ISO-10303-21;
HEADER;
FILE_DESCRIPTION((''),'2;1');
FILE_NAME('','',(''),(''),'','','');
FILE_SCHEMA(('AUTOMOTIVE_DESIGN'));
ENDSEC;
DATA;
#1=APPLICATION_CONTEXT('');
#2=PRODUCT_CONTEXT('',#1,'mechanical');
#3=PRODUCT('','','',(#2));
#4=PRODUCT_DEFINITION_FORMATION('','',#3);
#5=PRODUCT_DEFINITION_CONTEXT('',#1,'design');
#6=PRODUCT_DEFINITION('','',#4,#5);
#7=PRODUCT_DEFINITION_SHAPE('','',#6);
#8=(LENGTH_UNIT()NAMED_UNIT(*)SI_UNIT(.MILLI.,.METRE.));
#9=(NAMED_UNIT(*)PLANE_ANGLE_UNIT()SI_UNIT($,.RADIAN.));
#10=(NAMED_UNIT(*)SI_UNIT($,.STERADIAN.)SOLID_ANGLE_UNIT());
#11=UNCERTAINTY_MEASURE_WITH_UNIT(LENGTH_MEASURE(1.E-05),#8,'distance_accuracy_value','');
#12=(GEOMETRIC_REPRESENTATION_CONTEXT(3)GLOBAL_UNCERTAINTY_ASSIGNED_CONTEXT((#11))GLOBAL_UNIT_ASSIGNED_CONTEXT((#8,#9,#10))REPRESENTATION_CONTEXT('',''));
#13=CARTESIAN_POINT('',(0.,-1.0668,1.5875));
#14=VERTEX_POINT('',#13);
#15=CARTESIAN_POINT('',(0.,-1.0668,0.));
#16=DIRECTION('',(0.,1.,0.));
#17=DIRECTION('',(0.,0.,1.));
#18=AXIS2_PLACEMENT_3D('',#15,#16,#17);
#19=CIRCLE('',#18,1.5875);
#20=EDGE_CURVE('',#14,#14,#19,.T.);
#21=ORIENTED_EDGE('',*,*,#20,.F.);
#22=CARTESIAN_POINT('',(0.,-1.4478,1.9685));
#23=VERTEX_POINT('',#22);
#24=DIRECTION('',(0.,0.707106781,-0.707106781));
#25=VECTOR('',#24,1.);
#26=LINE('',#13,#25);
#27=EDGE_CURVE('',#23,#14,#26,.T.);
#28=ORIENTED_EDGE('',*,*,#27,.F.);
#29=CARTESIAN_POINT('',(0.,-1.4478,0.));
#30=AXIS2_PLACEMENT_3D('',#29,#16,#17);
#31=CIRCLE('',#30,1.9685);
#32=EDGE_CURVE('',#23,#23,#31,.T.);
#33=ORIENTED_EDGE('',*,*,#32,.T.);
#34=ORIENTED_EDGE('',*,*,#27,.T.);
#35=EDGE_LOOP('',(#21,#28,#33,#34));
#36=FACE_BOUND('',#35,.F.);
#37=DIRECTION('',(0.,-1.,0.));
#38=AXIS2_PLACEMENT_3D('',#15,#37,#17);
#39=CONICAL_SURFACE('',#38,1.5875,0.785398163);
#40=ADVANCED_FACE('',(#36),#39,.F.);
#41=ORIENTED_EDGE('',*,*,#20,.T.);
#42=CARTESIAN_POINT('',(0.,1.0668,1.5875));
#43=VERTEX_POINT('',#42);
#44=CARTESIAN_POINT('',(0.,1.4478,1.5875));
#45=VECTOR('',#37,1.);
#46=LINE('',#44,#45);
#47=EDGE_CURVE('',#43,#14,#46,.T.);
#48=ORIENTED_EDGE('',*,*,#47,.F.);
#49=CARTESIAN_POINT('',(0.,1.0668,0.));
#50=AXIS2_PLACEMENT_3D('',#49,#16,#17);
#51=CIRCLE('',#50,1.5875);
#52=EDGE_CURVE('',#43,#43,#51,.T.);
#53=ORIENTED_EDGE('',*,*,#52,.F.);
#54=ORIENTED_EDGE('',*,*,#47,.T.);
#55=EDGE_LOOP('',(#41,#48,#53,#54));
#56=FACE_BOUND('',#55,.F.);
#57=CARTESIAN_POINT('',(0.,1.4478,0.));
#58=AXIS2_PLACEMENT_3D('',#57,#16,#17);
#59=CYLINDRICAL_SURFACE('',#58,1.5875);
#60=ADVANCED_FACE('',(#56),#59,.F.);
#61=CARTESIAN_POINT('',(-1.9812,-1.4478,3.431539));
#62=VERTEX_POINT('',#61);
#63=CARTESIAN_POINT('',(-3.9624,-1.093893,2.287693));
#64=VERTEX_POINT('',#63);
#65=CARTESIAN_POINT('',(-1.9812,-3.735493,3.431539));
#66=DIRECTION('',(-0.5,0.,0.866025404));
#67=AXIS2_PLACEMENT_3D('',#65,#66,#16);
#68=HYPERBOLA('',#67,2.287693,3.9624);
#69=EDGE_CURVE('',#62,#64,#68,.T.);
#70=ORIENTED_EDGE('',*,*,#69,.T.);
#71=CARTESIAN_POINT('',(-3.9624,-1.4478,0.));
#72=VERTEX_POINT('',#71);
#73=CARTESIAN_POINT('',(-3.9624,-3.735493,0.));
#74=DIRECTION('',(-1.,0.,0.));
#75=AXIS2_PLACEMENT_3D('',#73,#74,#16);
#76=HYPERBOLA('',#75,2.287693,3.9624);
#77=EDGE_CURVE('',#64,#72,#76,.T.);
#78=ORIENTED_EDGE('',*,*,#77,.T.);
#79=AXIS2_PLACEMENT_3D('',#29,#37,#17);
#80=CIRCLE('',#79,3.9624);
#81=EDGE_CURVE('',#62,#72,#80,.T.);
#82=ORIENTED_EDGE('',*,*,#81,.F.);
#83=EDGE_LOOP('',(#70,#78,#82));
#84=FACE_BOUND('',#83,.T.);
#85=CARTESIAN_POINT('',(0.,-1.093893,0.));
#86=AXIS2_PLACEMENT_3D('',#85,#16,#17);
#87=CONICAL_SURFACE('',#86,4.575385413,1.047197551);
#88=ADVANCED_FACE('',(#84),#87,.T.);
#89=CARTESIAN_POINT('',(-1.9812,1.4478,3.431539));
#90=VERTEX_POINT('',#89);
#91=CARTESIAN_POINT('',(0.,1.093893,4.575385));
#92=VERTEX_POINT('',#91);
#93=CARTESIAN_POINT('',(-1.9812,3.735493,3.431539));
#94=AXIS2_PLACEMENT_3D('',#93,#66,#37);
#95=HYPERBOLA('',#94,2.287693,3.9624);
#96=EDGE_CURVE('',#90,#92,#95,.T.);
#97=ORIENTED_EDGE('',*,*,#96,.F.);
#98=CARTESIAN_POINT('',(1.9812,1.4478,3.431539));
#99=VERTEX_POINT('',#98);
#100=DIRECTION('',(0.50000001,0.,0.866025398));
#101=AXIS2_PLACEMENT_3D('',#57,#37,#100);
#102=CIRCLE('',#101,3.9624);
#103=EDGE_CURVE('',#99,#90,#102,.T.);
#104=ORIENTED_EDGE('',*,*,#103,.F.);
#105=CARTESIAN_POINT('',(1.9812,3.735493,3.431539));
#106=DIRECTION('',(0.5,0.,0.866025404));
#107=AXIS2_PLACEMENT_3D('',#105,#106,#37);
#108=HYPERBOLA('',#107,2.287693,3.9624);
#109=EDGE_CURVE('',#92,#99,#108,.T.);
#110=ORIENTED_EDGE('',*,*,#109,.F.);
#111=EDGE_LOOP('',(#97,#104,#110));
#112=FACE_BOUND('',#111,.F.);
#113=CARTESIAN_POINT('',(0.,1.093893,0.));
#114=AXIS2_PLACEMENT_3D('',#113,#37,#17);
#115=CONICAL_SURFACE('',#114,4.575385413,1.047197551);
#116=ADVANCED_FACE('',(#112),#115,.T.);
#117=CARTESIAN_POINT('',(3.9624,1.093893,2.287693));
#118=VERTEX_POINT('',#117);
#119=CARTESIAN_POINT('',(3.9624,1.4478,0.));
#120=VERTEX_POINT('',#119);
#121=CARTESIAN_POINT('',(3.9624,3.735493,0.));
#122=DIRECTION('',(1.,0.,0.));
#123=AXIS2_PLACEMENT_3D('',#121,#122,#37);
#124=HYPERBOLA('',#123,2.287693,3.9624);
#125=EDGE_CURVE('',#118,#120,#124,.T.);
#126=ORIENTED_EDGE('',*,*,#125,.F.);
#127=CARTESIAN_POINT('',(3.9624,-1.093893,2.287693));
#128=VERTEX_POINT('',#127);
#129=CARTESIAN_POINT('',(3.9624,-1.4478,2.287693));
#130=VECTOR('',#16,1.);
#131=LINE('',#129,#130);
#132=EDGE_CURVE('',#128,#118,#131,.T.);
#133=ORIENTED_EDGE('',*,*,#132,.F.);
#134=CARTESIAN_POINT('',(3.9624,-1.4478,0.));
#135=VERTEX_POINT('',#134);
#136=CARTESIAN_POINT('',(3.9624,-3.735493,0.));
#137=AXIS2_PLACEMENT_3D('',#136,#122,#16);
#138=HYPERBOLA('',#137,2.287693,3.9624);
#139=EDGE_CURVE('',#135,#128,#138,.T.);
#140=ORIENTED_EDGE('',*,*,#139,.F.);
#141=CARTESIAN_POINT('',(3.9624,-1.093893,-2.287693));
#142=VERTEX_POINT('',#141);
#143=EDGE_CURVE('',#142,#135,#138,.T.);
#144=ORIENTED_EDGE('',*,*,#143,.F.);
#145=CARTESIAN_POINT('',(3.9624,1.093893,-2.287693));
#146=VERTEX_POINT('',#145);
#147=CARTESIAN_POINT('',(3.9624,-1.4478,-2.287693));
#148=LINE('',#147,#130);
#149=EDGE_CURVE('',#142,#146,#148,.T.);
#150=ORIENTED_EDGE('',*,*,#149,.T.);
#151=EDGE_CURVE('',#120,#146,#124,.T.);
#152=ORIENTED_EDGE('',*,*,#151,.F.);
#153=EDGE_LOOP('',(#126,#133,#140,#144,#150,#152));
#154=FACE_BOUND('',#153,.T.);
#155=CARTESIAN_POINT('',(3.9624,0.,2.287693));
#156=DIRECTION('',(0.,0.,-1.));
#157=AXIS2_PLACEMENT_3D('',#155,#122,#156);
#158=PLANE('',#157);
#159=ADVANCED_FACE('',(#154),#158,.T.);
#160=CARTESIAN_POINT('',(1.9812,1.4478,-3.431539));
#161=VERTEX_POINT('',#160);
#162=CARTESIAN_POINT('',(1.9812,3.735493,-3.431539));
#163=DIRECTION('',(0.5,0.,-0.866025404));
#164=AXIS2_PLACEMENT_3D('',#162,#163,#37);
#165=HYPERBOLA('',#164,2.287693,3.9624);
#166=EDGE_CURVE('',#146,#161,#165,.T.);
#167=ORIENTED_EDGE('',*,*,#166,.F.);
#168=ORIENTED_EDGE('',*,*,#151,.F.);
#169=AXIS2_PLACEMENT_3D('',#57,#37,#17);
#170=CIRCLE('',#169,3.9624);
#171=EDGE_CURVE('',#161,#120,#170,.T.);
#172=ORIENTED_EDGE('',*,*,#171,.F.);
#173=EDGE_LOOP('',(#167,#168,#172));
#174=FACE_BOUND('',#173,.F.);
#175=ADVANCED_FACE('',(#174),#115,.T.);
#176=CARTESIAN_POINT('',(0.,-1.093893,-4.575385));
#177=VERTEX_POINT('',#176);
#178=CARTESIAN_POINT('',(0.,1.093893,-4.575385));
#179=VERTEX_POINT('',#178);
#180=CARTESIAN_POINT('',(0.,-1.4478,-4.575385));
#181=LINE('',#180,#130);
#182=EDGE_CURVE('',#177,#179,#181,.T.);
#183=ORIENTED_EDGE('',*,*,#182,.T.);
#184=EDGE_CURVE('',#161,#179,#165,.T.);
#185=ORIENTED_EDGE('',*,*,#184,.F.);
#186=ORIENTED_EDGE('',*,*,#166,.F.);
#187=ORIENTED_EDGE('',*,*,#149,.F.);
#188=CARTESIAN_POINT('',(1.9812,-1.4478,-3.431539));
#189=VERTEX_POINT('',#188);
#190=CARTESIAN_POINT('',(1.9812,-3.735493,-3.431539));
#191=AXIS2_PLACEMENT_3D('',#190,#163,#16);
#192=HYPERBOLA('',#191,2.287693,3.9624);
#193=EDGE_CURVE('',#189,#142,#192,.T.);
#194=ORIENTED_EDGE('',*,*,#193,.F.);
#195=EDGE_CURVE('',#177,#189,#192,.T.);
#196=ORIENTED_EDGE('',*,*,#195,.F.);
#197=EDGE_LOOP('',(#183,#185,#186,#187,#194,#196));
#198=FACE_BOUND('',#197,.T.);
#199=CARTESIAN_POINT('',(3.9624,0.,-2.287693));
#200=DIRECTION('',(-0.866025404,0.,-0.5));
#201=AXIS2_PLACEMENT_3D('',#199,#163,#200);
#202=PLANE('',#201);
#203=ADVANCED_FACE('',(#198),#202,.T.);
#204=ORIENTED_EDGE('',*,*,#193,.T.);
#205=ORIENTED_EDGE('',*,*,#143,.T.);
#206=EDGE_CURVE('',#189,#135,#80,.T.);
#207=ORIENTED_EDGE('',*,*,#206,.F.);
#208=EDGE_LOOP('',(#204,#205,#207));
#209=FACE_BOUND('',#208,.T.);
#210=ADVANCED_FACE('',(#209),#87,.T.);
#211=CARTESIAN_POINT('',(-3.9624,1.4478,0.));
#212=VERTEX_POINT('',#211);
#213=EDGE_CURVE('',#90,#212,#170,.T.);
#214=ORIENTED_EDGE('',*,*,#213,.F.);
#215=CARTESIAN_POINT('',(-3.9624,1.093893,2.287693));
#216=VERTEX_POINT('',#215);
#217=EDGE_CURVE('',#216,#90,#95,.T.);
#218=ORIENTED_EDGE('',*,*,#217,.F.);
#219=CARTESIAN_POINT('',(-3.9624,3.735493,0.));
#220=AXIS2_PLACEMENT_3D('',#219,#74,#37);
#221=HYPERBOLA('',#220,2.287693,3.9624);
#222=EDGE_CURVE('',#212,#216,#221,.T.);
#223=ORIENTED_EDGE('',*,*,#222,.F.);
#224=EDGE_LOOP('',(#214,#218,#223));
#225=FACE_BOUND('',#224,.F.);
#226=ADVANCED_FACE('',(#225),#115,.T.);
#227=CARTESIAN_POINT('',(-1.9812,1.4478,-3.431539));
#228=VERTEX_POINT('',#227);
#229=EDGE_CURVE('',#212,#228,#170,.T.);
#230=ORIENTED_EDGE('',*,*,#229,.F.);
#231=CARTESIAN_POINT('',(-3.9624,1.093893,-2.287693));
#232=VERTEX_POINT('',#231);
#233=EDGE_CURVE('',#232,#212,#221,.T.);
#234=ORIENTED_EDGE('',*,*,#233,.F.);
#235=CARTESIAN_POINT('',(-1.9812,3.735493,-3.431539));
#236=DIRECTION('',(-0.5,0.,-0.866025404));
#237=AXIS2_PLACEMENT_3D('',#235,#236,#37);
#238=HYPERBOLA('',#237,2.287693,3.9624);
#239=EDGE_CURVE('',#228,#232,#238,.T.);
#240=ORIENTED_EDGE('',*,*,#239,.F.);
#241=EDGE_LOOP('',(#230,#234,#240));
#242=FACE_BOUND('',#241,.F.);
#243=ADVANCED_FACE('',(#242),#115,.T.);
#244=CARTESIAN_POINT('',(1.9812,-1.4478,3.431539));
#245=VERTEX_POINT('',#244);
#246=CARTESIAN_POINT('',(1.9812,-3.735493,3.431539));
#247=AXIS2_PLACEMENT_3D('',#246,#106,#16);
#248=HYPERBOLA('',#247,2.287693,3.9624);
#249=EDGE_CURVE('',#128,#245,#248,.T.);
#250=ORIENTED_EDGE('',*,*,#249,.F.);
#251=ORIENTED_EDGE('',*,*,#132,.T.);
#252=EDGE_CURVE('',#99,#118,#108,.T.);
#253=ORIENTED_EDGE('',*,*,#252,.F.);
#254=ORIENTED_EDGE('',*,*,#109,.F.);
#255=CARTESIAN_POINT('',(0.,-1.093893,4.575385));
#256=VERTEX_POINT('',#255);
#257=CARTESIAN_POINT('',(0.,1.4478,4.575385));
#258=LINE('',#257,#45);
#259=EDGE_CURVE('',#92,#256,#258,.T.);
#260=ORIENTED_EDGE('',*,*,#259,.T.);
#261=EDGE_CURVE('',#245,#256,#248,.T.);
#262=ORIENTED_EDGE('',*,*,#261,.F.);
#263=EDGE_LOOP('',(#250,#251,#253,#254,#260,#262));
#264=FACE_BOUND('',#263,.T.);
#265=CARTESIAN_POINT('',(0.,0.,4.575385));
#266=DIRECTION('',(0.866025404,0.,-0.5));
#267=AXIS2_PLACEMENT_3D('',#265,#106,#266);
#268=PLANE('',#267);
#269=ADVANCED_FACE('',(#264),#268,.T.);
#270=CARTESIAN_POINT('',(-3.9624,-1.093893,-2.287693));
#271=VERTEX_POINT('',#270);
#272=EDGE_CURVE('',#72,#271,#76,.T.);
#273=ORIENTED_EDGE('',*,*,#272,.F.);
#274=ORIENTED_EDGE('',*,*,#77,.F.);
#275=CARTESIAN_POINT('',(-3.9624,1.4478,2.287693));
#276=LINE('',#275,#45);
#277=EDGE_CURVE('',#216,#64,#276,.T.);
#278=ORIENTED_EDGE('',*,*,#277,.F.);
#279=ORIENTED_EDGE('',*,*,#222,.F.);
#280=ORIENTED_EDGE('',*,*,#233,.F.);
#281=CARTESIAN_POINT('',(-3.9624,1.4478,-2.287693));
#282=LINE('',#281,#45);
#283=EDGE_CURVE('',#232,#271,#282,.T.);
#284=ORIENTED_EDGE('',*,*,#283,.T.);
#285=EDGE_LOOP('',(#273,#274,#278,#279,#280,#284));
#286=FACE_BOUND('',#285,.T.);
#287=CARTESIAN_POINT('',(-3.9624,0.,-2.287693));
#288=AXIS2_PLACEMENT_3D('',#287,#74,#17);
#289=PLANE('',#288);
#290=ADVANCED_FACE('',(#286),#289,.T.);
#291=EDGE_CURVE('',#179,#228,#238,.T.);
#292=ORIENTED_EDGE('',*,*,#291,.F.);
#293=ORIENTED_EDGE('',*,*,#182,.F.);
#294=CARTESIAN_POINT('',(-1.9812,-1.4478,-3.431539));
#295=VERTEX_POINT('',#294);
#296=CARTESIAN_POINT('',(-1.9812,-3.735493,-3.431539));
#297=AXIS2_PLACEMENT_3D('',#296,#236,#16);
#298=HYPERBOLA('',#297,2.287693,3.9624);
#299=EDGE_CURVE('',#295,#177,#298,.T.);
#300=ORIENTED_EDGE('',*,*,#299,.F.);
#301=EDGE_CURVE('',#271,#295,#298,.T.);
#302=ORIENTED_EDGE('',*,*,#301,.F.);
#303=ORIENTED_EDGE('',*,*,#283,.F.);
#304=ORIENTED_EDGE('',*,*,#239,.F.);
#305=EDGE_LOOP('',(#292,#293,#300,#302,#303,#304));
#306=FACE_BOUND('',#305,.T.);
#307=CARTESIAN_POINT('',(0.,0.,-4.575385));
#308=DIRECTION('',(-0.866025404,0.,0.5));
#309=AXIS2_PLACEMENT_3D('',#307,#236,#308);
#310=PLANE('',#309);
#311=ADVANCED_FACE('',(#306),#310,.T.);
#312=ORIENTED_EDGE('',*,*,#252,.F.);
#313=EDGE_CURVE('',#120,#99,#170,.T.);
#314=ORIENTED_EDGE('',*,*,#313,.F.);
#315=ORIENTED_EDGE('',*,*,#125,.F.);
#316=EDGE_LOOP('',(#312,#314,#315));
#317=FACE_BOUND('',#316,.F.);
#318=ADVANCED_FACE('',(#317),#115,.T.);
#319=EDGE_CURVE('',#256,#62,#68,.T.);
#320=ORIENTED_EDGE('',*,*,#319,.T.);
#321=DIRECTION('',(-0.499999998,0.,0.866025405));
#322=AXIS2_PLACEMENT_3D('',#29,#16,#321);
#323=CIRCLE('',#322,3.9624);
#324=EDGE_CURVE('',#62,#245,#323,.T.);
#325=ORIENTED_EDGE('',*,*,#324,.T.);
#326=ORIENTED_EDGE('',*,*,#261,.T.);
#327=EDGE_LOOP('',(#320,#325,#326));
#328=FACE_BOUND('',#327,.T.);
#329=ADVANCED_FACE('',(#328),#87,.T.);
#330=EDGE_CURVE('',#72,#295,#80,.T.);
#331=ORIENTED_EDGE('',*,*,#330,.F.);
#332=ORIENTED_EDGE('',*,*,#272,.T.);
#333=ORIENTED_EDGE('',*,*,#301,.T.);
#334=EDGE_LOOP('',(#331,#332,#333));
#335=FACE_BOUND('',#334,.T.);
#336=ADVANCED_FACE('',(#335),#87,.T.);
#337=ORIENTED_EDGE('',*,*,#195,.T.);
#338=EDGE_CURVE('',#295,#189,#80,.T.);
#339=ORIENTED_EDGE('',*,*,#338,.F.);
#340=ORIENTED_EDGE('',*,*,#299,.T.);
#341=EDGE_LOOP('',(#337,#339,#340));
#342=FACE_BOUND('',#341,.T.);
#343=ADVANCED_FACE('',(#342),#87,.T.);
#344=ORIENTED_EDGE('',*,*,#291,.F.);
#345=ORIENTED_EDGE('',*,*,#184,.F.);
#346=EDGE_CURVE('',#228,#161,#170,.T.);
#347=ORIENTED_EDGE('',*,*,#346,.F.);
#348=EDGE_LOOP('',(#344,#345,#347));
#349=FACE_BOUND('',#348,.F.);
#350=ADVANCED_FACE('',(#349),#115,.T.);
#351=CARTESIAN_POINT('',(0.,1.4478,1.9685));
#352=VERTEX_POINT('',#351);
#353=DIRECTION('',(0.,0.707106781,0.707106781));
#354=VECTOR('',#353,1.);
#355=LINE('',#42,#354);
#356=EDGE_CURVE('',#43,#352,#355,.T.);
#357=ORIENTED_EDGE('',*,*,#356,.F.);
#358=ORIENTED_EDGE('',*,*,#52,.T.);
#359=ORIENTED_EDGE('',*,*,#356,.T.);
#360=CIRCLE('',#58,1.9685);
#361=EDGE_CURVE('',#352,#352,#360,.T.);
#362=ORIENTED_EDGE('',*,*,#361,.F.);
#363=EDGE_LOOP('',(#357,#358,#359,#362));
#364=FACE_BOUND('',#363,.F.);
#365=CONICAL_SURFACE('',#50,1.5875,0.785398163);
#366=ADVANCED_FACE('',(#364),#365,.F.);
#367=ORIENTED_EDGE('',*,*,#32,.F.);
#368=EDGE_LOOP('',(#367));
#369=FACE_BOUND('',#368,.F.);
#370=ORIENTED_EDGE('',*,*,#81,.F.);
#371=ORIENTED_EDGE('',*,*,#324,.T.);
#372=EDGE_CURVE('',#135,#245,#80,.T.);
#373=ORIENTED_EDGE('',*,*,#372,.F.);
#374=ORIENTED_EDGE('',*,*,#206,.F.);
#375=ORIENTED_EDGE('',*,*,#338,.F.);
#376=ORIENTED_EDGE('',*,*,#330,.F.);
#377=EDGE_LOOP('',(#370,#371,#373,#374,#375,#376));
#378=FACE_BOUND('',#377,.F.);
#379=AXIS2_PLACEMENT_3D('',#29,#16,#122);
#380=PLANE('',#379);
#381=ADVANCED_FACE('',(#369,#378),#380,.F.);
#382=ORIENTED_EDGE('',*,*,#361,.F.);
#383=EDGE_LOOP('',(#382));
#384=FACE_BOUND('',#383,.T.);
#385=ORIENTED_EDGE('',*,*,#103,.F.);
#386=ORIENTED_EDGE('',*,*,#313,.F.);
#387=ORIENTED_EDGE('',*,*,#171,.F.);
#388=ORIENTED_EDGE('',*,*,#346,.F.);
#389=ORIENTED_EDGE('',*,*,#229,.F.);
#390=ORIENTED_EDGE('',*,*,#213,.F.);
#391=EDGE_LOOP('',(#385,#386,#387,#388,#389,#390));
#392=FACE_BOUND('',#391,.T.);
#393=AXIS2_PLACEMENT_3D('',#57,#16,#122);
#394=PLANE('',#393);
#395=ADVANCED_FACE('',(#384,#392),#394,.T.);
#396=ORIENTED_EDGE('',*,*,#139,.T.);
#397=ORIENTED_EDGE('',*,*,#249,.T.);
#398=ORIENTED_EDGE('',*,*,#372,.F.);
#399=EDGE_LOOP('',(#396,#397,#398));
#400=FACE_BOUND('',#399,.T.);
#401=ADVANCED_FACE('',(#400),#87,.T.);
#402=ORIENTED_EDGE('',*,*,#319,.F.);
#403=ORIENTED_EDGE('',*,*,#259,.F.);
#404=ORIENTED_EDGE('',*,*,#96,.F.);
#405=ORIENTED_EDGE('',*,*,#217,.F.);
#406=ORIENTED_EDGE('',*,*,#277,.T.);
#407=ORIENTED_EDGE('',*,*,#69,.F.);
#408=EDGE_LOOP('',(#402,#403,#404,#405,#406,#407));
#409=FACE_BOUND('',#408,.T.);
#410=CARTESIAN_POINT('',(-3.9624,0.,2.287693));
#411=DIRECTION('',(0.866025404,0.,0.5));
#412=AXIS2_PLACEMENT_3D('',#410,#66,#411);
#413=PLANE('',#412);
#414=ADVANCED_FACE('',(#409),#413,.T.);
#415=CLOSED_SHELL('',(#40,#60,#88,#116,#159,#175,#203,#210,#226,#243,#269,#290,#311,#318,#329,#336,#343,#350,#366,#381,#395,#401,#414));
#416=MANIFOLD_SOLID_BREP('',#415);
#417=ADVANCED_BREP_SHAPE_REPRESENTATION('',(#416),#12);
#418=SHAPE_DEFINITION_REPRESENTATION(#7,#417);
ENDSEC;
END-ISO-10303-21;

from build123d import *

# Parameters (mm, degrees)
BOSS_EXTRUDE1_DEPTH = 1.4478
SKETCH2_R           = 1.5875
CUT_EXTRUDE1_DEPTH  = 7.709639692
CHAMFER2_SIZE       = 0.381


with BuildPart() as part:
    # Sketch1 → Boss-Extrude1 (new, symmetric)
    with BuildSketch(Plane(origin=(0, 0, 0), x_dir=(1, 0, 0), z_dir=(0, 1, 0))):
        Polygon((0, -4.575385413), (3.9624, -2.287692707), (3.9624, 2.287692707), (0, 4.575385413), (-3.9624, 2.287692707), (-3.9624, -2.287692707), align=None)
    extrude(amount=BOSS_EXTRUDE1_DEPTH, both=True)

    # Sketch2 → Cut-Extrude1 (cut, through all)
    with BuildSketch(Plane(origin=(0, 1.4478, 0), x_dir=(1, 0, 0), z_dir=(0, 1, 0))):
        with Locations(Location((0, 0, 0), (0, 0, 270))):
            Circle(SKETCH2_R)
    extrude(amount=-CUT_EXTRUDE1_DEPTH, mode=Mode.SUBTRACT)

    # Sketch3 → Cut-Revolve2 (revolve, cut)
    with BuildSketch(Plane(origin=(0, 0, 0), x_dir=(0, 0, -1), z_dir=(1, 0, 0))):
        Polygon((-4.575385413, -1.4478), (-4.575385413, -1.093892707), (-3.9624, -1.4478), align=None)
    cut_revolve2 = revolve(axis=Axis((0, 0, 0), (0, -1, 0)), mode=Mode.SUBTRACT)

    # Mirror2: Cut-Revolve2 across plane
    add(cut_revolve2.mirror(Plane.ZX), mode=Mode.SUBTRACT)

    # Chamfer2
    chamfer2_edges = [part.edges().sort_by_distance(p)[0] for p in [
        (0, -1.4478, -1.5875),
        (0, 1.4478, -1.5875),
    ]]
    chamfer(chamfer2_edges, length=CHAMFER2_SIZE)


solid = part.part
